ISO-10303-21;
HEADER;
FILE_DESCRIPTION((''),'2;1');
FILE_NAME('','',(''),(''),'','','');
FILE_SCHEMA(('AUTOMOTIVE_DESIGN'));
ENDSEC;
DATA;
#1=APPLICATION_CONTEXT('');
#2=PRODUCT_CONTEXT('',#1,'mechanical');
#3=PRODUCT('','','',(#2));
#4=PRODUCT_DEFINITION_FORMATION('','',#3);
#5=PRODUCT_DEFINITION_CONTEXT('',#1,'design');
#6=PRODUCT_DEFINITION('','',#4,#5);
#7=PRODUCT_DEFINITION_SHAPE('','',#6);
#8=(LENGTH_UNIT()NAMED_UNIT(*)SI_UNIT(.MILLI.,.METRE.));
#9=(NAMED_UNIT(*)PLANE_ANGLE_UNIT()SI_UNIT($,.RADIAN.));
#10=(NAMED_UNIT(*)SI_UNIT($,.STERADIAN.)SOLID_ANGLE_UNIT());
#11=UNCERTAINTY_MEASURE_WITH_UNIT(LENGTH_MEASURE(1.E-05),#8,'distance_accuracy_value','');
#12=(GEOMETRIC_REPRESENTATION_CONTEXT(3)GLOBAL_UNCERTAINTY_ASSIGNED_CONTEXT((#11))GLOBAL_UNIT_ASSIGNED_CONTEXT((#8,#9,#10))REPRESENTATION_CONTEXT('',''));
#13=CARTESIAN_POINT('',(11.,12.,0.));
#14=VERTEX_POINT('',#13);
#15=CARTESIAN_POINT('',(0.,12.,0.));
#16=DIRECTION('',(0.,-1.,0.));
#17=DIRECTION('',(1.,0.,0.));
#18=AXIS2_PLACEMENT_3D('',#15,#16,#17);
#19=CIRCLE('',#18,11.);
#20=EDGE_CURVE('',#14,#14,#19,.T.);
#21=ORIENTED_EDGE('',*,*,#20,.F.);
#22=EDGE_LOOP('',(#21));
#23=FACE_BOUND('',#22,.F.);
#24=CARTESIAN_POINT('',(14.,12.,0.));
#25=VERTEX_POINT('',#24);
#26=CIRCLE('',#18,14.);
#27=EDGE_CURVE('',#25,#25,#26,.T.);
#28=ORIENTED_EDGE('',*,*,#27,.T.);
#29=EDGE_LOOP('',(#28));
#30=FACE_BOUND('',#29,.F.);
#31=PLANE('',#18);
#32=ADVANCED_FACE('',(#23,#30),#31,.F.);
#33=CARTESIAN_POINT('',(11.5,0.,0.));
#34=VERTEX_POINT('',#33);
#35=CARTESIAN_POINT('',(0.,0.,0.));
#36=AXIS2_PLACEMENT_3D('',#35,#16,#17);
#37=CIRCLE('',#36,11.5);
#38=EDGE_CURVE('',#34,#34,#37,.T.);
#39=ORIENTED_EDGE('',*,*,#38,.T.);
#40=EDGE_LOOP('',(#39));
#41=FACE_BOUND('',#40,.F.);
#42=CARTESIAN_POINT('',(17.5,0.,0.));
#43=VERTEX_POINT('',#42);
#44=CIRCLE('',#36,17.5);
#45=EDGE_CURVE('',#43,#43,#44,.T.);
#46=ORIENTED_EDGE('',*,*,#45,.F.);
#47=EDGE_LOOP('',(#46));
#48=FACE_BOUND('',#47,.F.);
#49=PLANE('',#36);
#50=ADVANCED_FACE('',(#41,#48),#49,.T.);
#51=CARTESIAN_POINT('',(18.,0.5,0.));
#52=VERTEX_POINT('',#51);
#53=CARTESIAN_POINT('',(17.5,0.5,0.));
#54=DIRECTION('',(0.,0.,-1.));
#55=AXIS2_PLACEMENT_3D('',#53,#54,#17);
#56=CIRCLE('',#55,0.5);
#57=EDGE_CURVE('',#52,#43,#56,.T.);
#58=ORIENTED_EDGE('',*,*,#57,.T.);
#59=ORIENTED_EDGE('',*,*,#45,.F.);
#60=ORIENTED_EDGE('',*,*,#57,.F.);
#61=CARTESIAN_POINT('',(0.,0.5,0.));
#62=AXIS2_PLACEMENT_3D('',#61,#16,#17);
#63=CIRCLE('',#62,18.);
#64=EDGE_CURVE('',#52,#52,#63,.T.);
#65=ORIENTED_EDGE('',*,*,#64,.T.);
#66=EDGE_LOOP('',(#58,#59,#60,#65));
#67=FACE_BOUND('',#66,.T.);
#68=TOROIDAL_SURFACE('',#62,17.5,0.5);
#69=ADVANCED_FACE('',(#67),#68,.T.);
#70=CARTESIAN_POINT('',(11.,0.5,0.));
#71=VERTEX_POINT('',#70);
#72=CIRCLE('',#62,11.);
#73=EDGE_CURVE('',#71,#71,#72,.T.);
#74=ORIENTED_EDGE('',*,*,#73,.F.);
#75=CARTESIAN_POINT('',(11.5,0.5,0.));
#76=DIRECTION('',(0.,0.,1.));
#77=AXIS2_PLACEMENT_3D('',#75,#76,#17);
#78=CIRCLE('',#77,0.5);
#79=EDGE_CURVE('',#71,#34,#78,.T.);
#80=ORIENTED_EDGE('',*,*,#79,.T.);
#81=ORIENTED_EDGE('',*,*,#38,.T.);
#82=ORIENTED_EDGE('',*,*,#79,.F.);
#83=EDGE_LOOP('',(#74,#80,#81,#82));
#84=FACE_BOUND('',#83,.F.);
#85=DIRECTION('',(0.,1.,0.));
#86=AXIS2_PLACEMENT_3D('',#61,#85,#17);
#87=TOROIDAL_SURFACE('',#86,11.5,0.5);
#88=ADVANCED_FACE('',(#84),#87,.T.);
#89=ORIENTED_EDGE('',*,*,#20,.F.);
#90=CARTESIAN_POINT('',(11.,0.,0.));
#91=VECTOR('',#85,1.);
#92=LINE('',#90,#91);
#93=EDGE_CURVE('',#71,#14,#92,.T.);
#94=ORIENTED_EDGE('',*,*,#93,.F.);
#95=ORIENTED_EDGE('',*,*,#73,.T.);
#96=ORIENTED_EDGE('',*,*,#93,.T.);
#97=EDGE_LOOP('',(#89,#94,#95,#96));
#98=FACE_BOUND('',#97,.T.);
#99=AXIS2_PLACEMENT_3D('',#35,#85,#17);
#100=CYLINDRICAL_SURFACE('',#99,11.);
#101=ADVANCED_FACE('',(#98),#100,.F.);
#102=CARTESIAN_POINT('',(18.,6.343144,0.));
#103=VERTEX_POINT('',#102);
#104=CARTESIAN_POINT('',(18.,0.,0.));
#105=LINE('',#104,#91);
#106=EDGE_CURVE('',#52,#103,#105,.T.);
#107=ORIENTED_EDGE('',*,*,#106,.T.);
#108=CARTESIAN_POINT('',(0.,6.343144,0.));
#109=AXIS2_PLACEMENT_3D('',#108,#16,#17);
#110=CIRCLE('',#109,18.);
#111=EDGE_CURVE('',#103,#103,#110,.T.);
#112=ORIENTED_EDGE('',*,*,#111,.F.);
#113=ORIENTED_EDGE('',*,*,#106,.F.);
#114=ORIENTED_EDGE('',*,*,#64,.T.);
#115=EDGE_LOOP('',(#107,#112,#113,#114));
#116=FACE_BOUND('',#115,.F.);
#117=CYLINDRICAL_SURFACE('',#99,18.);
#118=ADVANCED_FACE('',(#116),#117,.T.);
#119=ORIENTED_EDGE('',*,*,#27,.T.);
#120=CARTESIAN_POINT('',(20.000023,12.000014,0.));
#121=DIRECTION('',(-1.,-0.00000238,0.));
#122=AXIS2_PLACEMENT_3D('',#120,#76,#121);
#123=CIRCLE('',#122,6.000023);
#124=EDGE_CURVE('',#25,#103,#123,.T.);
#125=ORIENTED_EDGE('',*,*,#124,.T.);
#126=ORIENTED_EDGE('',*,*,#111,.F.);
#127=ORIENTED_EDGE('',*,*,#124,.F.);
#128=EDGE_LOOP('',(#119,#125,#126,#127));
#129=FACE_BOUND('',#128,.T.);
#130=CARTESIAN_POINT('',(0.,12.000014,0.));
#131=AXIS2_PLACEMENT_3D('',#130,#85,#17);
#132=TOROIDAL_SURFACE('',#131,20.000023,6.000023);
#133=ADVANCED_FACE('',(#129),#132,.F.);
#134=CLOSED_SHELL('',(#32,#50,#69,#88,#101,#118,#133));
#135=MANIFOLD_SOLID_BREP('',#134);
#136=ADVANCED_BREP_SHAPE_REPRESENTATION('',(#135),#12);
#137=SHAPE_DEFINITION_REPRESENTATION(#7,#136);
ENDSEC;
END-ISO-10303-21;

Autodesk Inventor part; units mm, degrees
ref_plane "YZ Plane" through (0, 0, 0) normal (1, 0, 0) x (0, 1, 0)
ref_plane "XZ Plane" through (0, 0, 0) normal (0, 1, 0) x (-1, 0, 0)
ref_plane "XY Plane" through (0, 0, 0) normal (0, 0, 1) x (1, 0, 0)
sketch "Sketch1" plane through (0, 0, 0) normal (0, 0, 1) x (1, 0, 0)
  line L0 (0, 0) -> (18, 0)
  line L1 (18, 0) -> (18, 12)
  line L2 (18, 12) -> (0, 12)
  line L3 (0, 12) -> (0, 0)
  line L4 (0, 0) -> (11, 0)
  line L5 (11, 0) -> (11, 12)
  line L6 (11, 12) -> (0, 12)
  line L7 (0, 12) -> (0, 0)
  line L8 (18, 12) -> (20, 12)
  arc A0 (14, 12) -> (23.7265, 7.2975) centre (20, 12) ccw
  point P0 (18, 6.3431)
  dimension "d0" = 18
  dimension "d1" = 12
  dimension "d2" = 11
  dimension "d3" = 2
  dimension "d4" = 6
revolve "Revolution1" add sketch "Sketch1" angle 360 about axis through (0, 12, 0) along (0, -1, 0) contours L5 L2 A0 L1 L0
fillet "Fillet1" radius 0.5 2 edges at (-18, 0, 0) (-11, 0, 0)
properties part number "DriveWheelHalf"
